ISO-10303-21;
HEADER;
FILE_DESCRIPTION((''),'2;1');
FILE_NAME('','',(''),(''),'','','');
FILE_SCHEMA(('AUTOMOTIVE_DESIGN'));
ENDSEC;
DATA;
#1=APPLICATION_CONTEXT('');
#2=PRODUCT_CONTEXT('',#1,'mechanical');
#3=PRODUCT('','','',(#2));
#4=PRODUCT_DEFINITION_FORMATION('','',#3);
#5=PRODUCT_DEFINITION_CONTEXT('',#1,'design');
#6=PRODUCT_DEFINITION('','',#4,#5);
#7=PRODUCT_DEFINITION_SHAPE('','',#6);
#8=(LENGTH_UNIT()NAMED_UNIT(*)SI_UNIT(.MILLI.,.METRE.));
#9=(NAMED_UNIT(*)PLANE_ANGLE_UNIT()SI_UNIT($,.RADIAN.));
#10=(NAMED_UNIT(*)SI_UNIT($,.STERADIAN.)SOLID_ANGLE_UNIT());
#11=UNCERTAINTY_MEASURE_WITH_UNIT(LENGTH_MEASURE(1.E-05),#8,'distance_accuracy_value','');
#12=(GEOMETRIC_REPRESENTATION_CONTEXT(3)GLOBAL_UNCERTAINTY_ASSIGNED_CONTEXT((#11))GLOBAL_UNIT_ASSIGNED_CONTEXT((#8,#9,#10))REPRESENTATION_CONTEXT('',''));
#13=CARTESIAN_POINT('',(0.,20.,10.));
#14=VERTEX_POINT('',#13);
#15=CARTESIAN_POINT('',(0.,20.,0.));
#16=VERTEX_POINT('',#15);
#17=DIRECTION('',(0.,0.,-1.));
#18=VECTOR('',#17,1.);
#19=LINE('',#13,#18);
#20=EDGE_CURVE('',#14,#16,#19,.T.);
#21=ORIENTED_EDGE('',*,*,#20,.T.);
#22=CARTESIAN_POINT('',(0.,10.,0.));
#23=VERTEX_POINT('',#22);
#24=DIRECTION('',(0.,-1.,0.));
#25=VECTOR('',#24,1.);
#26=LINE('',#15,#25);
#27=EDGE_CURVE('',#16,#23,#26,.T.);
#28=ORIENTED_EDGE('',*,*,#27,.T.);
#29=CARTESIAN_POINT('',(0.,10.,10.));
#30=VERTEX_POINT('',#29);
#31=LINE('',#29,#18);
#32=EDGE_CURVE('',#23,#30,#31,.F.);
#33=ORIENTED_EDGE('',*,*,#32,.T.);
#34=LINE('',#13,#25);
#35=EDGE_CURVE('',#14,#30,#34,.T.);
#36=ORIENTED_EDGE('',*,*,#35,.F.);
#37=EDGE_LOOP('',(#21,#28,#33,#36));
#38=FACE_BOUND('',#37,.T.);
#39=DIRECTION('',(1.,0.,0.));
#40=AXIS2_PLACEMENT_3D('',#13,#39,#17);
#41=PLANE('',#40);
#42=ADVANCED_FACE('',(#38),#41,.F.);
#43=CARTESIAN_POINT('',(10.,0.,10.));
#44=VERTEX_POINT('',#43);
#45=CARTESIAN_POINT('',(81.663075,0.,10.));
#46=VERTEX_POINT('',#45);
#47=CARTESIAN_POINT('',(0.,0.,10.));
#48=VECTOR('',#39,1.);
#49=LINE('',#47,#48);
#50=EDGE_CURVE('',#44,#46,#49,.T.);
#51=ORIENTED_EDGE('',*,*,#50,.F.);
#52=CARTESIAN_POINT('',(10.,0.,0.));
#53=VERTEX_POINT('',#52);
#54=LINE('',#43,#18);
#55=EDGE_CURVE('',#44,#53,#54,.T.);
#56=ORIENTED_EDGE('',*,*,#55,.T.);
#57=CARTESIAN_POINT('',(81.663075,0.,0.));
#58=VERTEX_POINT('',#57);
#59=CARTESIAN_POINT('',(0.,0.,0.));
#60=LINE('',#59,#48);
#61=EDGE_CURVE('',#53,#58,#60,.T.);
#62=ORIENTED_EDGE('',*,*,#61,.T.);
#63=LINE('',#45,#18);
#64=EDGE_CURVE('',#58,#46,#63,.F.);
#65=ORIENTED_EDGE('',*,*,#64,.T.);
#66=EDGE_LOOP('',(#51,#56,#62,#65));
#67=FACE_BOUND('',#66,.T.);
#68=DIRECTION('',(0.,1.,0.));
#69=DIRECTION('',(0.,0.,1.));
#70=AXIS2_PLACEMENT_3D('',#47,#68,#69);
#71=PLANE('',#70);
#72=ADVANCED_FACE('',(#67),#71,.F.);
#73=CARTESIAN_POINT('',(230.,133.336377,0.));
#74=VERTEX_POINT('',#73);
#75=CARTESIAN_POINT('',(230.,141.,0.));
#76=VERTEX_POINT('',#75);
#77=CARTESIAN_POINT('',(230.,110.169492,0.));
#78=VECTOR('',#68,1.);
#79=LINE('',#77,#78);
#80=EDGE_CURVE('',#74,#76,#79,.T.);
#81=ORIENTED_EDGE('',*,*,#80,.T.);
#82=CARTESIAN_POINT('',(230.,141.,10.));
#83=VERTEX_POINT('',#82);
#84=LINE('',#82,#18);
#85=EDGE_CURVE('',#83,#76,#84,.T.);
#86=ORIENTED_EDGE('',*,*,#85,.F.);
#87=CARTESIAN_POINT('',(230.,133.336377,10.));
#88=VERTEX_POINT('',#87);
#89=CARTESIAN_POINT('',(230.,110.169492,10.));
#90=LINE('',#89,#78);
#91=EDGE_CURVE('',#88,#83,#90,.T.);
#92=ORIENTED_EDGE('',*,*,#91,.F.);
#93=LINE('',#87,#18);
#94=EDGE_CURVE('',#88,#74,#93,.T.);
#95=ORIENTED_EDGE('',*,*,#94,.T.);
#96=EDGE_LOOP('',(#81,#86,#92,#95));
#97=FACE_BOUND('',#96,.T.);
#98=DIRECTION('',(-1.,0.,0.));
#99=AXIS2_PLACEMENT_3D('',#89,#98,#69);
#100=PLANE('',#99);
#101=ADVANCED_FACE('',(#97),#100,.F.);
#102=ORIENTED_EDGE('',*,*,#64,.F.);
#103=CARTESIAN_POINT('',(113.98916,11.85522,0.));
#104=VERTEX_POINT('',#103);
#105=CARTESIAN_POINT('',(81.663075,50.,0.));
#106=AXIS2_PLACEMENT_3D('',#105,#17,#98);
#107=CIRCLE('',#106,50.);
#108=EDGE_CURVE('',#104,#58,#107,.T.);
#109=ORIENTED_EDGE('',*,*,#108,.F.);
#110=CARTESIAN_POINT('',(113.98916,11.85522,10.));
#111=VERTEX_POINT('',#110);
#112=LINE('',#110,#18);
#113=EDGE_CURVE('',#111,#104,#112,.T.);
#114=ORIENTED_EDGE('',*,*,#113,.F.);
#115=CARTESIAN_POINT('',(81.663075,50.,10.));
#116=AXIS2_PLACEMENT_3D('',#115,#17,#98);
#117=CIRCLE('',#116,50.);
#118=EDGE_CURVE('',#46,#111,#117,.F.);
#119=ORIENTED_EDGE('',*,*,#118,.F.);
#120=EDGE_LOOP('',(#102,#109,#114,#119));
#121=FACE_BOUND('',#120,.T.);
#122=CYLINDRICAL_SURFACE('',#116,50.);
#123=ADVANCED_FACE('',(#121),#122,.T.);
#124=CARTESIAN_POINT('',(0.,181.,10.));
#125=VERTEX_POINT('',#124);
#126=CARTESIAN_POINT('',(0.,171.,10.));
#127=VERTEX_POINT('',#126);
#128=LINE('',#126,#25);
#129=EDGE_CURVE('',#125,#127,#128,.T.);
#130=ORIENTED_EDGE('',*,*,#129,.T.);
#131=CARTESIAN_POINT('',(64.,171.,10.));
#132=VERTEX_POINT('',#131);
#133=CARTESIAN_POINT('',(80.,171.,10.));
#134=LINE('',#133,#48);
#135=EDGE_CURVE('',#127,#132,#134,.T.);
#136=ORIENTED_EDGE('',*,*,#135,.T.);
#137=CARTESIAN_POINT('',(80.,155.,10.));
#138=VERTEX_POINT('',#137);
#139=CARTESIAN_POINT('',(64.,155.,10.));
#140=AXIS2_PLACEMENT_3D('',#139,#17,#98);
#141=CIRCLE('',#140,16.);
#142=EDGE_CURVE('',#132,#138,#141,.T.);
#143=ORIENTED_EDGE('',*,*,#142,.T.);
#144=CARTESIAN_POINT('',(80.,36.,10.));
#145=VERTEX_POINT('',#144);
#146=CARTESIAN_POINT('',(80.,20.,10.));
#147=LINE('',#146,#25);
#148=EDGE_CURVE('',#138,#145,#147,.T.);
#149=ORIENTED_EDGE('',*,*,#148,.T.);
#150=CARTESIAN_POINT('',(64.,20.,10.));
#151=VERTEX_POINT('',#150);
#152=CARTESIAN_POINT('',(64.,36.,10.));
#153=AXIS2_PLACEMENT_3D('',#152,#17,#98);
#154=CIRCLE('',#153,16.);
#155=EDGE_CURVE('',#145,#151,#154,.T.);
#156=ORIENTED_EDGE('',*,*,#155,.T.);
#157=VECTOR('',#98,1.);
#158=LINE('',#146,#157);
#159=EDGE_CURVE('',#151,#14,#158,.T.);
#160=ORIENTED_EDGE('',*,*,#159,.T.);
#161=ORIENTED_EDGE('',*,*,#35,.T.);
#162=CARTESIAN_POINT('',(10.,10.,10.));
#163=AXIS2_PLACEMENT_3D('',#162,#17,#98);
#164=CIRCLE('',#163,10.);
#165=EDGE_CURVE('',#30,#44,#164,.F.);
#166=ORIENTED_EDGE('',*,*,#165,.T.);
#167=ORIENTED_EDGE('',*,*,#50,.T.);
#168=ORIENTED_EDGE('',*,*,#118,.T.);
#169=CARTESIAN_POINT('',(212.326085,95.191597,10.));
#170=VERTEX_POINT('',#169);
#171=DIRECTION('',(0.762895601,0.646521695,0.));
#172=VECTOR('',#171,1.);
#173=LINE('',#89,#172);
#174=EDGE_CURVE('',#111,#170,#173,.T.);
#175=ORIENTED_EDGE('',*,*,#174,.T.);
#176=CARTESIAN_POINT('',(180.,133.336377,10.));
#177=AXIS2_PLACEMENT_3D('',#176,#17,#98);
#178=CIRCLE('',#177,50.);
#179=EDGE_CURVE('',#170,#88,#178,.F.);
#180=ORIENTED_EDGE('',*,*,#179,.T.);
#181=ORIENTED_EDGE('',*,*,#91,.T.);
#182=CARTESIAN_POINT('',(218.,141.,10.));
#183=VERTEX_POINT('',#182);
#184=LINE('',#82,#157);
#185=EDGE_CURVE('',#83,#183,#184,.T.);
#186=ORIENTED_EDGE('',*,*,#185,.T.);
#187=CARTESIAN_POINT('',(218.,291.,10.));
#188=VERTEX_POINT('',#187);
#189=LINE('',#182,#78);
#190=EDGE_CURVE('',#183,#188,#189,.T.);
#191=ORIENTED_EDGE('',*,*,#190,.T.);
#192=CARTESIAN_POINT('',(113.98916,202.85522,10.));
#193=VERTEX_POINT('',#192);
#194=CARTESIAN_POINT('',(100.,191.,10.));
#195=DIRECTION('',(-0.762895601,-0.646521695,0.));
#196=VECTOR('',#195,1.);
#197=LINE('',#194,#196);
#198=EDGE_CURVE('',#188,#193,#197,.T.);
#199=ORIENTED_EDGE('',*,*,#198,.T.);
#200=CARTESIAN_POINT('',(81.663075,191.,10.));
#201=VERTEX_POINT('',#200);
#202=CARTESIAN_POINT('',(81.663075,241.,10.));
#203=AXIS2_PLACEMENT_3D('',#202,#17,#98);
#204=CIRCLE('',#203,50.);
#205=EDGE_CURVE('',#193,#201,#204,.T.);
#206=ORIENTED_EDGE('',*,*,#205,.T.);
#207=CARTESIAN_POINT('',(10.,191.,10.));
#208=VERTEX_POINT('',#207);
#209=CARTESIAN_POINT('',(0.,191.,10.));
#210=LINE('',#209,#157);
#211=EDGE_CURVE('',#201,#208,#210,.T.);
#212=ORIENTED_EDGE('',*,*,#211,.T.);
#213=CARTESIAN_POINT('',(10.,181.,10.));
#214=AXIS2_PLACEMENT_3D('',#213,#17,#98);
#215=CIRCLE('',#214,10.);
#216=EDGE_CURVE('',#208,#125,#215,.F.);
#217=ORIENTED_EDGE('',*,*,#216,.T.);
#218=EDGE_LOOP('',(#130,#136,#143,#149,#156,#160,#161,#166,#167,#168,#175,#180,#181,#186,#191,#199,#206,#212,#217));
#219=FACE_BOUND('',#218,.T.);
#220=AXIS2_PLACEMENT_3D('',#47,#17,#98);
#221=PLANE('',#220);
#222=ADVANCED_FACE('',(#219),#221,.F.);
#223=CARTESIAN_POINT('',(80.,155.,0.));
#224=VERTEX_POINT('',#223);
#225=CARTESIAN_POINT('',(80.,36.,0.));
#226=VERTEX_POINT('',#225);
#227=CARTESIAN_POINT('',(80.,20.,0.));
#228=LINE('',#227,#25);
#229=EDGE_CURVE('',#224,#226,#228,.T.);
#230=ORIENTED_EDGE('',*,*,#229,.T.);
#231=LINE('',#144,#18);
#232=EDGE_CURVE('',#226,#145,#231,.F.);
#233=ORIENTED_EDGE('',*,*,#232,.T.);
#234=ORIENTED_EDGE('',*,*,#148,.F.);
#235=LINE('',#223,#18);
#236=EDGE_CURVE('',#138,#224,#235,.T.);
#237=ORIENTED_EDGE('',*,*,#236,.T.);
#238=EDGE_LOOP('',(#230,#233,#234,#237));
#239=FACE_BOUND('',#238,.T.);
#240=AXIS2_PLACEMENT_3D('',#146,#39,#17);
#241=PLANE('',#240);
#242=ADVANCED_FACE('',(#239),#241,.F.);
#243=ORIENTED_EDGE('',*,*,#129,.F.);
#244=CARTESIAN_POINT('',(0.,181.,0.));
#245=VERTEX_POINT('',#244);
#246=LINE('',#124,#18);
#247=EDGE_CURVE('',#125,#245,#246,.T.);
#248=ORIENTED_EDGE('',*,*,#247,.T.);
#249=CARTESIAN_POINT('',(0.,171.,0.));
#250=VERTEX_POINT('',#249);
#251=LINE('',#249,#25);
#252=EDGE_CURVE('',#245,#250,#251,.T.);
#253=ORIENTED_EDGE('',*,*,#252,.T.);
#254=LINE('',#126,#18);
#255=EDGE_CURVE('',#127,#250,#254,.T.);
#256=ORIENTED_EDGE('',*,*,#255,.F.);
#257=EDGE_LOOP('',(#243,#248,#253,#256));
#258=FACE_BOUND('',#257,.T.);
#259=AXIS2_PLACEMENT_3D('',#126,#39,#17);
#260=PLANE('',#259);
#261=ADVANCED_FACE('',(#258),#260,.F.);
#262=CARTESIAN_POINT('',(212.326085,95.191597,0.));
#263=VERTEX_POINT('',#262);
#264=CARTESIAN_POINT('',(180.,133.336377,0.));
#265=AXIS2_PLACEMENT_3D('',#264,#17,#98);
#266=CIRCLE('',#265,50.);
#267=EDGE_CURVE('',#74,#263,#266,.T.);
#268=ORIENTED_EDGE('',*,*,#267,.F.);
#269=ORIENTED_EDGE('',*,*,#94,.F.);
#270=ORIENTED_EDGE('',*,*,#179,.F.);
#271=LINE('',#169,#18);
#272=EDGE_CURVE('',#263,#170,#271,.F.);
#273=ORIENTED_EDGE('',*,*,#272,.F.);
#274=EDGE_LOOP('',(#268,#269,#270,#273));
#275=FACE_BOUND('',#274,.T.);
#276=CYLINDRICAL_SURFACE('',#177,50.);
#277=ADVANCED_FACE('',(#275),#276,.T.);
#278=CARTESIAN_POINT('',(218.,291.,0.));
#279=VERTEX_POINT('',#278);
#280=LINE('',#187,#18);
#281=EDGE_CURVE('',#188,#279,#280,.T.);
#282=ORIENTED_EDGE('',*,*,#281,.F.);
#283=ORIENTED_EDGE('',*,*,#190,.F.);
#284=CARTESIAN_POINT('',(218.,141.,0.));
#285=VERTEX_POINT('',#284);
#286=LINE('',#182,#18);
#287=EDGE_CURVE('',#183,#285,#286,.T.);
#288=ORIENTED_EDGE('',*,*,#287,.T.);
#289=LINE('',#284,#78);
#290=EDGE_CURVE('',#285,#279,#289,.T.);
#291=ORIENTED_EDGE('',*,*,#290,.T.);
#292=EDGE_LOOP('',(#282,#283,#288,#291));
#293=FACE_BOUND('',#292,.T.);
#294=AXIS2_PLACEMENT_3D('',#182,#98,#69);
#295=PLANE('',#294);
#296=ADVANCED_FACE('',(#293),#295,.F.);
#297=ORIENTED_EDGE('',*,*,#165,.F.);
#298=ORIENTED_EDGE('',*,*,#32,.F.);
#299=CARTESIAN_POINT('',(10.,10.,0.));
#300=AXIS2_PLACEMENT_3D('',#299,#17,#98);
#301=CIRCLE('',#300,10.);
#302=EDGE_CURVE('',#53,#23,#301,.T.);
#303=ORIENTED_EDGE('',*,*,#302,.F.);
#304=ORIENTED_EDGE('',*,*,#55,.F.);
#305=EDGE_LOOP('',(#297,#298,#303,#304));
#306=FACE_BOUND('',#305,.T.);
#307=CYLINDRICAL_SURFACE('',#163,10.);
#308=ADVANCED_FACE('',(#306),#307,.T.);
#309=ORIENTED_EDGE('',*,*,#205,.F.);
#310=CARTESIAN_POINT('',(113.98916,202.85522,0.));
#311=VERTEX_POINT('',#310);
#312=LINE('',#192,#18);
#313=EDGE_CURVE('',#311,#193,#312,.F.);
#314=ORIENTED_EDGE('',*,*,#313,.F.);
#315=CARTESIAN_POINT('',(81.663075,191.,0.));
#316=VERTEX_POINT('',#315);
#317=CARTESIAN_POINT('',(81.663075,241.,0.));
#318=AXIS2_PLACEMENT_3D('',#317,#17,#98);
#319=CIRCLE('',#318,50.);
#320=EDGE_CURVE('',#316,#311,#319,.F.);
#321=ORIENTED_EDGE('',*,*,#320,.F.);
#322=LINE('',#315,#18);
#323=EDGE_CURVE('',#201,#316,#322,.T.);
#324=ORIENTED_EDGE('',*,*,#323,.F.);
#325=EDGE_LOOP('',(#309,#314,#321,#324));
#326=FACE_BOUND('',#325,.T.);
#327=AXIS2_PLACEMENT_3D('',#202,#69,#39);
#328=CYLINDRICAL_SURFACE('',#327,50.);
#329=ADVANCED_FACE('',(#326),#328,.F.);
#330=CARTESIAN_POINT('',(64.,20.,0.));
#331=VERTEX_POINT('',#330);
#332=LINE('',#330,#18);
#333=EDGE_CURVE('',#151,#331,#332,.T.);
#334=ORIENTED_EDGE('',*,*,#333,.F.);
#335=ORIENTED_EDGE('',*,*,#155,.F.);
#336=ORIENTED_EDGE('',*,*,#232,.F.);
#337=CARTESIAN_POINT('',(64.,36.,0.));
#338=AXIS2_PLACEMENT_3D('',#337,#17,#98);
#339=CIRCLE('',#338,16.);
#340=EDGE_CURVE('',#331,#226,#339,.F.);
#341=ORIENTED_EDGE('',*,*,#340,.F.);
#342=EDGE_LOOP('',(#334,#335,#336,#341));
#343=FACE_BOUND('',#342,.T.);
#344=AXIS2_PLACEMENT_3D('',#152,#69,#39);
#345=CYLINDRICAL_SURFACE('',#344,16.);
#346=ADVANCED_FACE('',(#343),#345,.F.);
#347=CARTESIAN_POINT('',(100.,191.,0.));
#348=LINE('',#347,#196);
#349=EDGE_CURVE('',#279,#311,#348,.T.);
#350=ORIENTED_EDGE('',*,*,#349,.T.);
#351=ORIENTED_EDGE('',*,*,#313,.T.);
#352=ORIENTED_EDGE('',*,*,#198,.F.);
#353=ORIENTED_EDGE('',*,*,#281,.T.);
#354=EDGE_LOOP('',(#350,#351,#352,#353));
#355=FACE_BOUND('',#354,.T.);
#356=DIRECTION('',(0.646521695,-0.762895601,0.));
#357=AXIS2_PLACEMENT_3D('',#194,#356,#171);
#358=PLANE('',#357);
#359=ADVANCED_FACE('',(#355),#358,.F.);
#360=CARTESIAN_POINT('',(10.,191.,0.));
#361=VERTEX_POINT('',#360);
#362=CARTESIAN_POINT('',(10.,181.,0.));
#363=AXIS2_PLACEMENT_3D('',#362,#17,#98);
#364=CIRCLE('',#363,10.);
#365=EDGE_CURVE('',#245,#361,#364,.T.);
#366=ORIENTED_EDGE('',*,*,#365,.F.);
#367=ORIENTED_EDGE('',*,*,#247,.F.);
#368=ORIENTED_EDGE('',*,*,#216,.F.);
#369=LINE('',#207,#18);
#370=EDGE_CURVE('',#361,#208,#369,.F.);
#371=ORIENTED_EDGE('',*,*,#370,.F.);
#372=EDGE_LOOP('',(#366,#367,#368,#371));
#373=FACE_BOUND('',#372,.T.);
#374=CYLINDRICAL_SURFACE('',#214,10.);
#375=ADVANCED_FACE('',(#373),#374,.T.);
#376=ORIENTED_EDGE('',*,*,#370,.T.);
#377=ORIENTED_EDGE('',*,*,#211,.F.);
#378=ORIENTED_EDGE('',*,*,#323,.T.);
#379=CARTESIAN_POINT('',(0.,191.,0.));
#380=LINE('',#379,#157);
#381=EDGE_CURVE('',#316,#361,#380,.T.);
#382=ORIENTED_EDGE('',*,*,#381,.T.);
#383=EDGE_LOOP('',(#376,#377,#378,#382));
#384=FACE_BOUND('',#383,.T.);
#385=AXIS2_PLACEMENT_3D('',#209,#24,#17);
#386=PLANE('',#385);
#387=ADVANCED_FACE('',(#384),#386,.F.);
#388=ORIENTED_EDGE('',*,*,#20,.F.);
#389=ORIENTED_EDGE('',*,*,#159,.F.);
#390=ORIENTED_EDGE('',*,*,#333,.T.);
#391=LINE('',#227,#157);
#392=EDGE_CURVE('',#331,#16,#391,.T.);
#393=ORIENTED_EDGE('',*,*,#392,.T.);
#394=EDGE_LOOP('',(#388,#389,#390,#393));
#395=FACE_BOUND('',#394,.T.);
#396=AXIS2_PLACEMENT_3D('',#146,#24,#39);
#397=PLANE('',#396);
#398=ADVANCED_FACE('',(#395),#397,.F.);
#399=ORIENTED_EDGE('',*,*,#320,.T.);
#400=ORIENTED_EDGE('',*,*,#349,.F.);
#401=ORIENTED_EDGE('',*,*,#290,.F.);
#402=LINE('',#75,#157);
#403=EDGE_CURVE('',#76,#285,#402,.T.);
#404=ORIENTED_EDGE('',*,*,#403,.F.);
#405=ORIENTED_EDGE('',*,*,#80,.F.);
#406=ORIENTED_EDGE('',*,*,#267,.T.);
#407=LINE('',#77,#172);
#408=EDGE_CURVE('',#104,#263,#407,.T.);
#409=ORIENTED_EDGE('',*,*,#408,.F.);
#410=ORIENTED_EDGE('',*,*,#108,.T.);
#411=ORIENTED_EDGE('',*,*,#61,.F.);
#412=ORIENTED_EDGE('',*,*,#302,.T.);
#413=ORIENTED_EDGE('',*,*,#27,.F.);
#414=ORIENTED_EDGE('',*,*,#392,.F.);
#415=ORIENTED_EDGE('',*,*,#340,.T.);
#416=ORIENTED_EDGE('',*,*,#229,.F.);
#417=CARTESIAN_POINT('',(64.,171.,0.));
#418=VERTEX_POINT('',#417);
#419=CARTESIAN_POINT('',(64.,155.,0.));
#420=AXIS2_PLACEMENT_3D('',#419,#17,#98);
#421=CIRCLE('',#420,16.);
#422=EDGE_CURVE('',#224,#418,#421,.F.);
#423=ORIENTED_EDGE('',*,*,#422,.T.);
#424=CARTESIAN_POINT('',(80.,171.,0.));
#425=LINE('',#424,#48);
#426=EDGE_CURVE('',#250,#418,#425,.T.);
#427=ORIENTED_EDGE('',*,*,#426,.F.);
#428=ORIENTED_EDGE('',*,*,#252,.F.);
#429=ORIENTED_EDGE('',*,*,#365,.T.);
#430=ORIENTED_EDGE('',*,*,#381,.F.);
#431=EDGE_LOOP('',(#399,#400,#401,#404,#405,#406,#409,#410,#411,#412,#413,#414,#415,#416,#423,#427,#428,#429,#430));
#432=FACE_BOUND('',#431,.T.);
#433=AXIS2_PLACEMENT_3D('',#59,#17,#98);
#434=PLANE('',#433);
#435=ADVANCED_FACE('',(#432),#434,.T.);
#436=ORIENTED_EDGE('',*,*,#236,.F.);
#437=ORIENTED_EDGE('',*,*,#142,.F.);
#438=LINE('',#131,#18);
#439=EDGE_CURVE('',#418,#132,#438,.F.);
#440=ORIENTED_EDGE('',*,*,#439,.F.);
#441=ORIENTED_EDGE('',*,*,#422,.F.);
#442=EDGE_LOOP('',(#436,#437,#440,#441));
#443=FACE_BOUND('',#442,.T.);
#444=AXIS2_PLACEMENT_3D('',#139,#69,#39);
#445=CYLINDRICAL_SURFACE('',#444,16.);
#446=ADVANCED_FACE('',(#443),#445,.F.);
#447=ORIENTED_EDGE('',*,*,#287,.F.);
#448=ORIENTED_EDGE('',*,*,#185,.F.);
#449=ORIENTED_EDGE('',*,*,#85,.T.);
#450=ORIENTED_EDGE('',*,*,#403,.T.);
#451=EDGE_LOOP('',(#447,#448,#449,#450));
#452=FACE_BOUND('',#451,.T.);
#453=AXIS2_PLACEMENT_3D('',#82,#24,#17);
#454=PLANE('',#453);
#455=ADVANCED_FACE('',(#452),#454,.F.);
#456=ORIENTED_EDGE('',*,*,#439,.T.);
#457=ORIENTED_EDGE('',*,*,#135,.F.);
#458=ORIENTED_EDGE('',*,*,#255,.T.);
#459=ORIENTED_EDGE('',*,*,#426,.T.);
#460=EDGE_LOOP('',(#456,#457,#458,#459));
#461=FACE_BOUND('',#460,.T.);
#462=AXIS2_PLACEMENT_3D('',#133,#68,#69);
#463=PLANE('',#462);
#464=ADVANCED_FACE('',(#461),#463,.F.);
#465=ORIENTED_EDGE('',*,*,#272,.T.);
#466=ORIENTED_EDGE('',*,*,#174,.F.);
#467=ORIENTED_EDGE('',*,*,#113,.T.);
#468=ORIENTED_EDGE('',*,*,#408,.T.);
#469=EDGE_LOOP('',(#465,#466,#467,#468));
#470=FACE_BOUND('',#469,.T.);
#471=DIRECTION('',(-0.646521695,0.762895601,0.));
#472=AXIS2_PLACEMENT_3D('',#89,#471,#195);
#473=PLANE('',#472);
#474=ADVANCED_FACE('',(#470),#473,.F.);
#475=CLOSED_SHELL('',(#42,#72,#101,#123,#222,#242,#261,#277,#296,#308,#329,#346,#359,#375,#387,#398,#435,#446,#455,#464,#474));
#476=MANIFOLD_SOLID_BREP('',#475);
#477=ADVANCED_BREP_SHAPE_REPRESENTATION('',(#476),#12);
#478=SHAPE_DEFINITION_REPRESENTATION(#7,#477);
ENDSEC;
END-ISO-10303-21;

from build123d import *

# Parameters (mm, degrees)
BOSS_EXTRU_1_DEPTH = 10
CONG_2_R           = 16
CONG_3_R           = 10
CONG_4_R           = 50


with BuildPart() as part:
    # Esquisse1 → Boss.-Extru.1 (new body)
    with BuildSketch(Plane.XY):
        Polygon((80, 171), (0, 171), (0, 191), (100, 191), (218, 291), (218, 141), (230, 141), (230, 110.169491525), (100, 0), (0, 0), (0, 20), (80, 20), align=None)
    extrude(amount=BOSS_EXTRU_1_DEPTH)

    # Congé2
    cong_2_edges = [part.edges().sort_by_distance(p)[0] for p in [
        (80, 20, 5),
        (80, 171, 5),
    ]]
    fillet(cong_2_edges, radius=CONG_2_R)

    # Congé3
    cong_3_edges = [part.edges().sort_by_distance(p)[0] for p in [
        (0, 191, 5),
        (0, 0, 5),
    ]]
    fillet(cong_3_edges, radius=CONG_3_R)

    # Congé4
    cong_4_edges = [part.edges().sort_by_distance(p)[0] for p in [
        (100, 191, 5),
        (230, 110.169491525, 5),
        (100, 0, 5),
    ]]
    fillet(cong_4_edges, radius=CONG_4_R)


solid = part.part
